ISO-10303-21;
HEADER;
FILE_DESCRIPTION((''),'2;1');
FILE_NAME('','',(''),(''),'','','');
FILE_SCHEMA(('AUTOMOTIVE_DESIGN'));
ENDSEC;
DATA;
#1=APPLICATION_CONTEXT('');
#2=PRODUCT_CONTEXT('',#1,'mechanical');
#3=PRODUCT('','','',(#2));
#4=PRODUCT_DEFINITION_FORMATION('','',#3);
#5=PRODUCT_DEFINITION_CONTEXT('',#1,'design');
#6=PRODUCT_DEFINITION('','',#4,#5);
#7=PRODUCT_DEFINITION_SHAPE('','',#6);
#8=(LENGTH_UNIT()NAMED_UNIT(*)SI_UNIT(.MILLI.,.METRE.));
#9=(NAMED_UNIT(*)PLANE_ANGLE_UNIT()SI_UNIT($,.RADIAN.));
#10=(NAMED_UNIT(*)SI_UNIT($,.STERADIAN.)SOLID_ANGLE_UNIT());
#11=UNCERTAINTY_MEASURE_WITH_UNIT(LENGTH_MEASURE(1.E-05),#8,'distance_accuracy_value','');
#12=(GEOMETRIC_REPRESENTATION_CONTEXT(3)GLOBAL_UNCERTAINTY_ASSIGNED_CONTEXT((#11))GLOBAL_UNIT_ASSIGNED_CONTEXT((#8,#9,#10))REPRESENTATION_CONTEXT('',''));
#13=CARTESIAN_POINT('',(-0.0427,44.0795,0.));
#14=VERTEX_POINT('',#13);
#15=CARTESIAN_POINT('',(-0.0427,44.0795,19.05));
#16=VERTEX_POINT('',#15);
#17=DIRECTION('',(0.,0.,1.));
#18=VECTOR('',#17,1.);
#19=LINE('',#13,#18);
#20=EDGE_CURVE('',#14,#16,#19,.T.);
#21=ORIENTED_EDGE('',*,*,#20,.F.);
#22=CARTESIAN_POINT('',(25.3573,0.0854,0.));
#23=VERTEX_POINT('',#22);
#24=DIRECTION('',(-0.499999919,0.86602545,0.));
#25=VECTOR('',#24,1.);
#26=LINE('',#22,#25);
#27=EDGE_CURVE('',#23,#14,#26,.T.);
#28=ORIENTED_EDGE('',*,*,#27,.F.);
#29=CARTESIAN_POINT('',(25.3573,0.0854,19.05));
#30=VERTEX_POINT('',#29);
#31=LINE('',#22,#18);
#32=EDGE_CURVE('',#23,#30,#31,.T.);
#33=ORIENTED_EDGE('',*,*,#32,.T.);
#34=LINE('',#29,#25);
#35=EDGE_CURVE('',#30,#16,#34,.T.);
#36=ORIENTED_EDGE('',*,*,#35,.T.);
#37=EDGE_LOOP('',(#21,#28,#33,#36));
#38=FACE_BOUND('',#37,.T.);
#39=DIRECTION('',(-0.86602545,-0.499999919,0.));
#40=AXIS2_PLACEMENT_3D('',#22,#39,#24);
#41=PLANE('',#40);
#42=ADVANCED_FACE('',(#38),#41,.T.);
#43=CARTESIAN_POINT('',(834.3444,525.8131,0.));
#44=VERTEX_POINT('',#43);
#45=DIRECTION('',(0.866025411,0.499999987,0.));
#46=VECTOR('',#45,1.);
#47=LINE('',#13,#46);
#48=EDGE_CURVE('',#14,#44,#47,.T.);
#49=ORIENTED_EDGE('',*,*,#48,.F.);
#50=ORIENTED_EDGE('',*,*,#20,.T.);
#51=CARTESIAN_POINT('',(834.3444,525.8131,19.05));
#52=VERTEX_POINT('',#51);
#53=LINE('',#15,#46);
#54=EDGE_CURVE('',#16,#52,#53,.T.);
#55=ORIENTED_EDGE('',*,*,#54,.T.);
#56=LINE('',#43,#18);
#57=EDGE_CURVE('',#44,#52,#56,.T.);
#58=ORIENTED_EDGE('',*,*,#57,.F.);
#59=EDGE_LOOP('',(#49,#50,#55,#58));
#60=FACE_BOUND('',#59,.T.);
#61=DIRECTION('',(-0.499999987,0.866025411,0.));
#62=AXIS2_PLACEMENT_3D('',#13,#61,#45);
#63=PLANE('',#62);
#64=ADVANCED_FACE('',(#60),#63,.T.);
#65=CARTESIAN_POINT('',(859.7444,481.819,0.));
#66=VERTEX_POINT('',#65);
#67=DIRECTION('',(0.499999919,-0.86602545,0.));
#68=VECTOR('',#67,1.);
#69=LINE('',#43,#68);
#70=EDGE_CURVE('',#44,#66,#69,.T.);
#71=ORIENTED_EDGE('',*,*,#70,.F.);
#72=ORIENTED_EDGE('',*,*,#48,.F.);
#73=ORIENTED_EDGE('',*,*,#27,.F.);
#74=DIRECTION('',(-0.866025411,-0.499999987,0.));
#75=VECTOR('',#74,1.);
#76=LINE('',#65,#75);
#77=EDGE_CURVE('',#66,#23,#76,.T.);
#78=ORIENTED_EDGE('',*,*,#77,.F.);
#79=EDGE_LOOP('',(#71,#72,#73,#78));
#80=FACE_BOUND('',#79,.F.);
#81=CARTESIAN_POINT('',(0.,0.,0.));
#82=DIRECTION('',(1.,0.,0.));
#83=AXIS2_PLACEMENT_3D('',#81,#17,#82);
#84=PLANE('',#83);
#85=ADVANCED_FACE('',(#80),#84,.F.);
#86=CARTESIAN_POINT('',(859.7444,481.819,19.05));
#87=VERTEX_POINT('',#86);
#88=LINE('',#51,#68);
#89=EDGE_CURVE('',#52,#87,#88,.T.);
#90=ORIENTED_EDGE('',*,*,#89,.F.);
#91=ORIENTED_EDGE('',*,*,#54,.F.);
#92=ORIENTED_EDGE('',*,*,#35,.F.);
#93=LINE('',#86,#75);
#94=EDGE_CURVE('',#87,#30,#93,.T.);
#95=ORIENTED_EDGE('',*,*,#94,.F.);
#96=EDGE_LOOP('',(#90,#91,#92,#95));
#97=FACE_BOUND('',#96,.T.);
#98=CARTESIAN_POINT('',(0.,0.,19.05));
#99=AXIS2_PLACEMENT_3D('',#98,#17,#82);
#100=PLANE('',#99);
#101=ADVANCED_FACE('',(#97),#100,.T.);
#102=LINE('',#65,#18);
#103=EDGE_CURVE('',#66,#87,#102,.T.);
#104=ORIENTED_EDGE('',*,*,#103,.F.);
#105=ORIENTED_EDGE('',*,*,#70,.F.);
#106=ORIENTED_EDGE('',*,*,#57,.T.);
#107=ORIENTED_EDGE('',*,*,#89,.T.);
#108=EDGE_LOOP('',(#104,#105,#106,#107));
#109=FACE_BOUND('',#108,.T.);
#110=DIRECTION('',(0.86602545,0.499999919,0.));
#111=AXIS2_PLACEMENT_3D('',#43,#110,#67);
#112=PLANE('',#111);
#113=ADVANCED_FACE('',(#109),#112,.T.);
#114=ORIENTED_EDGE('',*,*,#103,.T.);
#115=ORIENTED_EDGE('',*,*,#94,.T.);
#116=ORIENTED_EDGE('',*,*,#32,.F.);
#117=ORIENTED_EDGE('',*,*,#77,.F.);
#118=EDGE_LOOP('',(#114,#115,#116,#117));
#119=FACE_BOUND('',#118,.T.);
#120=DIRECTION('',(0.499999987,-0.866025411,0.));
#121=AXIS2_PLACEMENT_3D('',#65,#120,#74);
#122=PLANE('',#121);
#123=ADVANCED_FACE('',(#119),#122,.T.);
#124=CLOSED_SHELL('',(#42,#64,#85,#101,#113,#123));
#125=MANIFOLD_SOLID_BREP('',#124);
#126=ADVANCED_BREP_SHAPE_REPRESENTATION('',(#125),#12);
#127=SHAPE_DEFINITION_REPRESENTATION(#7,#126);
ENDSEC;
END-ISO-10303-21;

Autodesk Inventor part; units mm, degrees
ref_plane "YZ Plane" through (0, 0, 0) normal (1, 0, 0) x (0, 1, 0)
ref_plane "XZ Plane" through (0, 0, 0) normal (0, 1, 0) x (-1, 0, 0)
ref_plane "XY Plane" through (0, 0, 0) normal (0, 0, 1) x (1, 0, 0)
sketch "Sketch1" plane through (0, 0, 0) normal (0, 0, 1) x (1, 0, 0)
  line L0 (25.3573, 0.0854) -> (-0.0427, 44.0795)
  line L1 (-0.0427, 44.0795) -> (834.3444, 525.8131)
  line L2 (834.3444, 525.8131) -> (859.7444, 481.819)
  line L3 (859.7444, 481.819) -> (25.3573, 0.0854)
  point P0 (0, 0)
extrude "Extrusion1" add sketch "Sketch1" along normal blind 19.05
properties part number "nd-m"
